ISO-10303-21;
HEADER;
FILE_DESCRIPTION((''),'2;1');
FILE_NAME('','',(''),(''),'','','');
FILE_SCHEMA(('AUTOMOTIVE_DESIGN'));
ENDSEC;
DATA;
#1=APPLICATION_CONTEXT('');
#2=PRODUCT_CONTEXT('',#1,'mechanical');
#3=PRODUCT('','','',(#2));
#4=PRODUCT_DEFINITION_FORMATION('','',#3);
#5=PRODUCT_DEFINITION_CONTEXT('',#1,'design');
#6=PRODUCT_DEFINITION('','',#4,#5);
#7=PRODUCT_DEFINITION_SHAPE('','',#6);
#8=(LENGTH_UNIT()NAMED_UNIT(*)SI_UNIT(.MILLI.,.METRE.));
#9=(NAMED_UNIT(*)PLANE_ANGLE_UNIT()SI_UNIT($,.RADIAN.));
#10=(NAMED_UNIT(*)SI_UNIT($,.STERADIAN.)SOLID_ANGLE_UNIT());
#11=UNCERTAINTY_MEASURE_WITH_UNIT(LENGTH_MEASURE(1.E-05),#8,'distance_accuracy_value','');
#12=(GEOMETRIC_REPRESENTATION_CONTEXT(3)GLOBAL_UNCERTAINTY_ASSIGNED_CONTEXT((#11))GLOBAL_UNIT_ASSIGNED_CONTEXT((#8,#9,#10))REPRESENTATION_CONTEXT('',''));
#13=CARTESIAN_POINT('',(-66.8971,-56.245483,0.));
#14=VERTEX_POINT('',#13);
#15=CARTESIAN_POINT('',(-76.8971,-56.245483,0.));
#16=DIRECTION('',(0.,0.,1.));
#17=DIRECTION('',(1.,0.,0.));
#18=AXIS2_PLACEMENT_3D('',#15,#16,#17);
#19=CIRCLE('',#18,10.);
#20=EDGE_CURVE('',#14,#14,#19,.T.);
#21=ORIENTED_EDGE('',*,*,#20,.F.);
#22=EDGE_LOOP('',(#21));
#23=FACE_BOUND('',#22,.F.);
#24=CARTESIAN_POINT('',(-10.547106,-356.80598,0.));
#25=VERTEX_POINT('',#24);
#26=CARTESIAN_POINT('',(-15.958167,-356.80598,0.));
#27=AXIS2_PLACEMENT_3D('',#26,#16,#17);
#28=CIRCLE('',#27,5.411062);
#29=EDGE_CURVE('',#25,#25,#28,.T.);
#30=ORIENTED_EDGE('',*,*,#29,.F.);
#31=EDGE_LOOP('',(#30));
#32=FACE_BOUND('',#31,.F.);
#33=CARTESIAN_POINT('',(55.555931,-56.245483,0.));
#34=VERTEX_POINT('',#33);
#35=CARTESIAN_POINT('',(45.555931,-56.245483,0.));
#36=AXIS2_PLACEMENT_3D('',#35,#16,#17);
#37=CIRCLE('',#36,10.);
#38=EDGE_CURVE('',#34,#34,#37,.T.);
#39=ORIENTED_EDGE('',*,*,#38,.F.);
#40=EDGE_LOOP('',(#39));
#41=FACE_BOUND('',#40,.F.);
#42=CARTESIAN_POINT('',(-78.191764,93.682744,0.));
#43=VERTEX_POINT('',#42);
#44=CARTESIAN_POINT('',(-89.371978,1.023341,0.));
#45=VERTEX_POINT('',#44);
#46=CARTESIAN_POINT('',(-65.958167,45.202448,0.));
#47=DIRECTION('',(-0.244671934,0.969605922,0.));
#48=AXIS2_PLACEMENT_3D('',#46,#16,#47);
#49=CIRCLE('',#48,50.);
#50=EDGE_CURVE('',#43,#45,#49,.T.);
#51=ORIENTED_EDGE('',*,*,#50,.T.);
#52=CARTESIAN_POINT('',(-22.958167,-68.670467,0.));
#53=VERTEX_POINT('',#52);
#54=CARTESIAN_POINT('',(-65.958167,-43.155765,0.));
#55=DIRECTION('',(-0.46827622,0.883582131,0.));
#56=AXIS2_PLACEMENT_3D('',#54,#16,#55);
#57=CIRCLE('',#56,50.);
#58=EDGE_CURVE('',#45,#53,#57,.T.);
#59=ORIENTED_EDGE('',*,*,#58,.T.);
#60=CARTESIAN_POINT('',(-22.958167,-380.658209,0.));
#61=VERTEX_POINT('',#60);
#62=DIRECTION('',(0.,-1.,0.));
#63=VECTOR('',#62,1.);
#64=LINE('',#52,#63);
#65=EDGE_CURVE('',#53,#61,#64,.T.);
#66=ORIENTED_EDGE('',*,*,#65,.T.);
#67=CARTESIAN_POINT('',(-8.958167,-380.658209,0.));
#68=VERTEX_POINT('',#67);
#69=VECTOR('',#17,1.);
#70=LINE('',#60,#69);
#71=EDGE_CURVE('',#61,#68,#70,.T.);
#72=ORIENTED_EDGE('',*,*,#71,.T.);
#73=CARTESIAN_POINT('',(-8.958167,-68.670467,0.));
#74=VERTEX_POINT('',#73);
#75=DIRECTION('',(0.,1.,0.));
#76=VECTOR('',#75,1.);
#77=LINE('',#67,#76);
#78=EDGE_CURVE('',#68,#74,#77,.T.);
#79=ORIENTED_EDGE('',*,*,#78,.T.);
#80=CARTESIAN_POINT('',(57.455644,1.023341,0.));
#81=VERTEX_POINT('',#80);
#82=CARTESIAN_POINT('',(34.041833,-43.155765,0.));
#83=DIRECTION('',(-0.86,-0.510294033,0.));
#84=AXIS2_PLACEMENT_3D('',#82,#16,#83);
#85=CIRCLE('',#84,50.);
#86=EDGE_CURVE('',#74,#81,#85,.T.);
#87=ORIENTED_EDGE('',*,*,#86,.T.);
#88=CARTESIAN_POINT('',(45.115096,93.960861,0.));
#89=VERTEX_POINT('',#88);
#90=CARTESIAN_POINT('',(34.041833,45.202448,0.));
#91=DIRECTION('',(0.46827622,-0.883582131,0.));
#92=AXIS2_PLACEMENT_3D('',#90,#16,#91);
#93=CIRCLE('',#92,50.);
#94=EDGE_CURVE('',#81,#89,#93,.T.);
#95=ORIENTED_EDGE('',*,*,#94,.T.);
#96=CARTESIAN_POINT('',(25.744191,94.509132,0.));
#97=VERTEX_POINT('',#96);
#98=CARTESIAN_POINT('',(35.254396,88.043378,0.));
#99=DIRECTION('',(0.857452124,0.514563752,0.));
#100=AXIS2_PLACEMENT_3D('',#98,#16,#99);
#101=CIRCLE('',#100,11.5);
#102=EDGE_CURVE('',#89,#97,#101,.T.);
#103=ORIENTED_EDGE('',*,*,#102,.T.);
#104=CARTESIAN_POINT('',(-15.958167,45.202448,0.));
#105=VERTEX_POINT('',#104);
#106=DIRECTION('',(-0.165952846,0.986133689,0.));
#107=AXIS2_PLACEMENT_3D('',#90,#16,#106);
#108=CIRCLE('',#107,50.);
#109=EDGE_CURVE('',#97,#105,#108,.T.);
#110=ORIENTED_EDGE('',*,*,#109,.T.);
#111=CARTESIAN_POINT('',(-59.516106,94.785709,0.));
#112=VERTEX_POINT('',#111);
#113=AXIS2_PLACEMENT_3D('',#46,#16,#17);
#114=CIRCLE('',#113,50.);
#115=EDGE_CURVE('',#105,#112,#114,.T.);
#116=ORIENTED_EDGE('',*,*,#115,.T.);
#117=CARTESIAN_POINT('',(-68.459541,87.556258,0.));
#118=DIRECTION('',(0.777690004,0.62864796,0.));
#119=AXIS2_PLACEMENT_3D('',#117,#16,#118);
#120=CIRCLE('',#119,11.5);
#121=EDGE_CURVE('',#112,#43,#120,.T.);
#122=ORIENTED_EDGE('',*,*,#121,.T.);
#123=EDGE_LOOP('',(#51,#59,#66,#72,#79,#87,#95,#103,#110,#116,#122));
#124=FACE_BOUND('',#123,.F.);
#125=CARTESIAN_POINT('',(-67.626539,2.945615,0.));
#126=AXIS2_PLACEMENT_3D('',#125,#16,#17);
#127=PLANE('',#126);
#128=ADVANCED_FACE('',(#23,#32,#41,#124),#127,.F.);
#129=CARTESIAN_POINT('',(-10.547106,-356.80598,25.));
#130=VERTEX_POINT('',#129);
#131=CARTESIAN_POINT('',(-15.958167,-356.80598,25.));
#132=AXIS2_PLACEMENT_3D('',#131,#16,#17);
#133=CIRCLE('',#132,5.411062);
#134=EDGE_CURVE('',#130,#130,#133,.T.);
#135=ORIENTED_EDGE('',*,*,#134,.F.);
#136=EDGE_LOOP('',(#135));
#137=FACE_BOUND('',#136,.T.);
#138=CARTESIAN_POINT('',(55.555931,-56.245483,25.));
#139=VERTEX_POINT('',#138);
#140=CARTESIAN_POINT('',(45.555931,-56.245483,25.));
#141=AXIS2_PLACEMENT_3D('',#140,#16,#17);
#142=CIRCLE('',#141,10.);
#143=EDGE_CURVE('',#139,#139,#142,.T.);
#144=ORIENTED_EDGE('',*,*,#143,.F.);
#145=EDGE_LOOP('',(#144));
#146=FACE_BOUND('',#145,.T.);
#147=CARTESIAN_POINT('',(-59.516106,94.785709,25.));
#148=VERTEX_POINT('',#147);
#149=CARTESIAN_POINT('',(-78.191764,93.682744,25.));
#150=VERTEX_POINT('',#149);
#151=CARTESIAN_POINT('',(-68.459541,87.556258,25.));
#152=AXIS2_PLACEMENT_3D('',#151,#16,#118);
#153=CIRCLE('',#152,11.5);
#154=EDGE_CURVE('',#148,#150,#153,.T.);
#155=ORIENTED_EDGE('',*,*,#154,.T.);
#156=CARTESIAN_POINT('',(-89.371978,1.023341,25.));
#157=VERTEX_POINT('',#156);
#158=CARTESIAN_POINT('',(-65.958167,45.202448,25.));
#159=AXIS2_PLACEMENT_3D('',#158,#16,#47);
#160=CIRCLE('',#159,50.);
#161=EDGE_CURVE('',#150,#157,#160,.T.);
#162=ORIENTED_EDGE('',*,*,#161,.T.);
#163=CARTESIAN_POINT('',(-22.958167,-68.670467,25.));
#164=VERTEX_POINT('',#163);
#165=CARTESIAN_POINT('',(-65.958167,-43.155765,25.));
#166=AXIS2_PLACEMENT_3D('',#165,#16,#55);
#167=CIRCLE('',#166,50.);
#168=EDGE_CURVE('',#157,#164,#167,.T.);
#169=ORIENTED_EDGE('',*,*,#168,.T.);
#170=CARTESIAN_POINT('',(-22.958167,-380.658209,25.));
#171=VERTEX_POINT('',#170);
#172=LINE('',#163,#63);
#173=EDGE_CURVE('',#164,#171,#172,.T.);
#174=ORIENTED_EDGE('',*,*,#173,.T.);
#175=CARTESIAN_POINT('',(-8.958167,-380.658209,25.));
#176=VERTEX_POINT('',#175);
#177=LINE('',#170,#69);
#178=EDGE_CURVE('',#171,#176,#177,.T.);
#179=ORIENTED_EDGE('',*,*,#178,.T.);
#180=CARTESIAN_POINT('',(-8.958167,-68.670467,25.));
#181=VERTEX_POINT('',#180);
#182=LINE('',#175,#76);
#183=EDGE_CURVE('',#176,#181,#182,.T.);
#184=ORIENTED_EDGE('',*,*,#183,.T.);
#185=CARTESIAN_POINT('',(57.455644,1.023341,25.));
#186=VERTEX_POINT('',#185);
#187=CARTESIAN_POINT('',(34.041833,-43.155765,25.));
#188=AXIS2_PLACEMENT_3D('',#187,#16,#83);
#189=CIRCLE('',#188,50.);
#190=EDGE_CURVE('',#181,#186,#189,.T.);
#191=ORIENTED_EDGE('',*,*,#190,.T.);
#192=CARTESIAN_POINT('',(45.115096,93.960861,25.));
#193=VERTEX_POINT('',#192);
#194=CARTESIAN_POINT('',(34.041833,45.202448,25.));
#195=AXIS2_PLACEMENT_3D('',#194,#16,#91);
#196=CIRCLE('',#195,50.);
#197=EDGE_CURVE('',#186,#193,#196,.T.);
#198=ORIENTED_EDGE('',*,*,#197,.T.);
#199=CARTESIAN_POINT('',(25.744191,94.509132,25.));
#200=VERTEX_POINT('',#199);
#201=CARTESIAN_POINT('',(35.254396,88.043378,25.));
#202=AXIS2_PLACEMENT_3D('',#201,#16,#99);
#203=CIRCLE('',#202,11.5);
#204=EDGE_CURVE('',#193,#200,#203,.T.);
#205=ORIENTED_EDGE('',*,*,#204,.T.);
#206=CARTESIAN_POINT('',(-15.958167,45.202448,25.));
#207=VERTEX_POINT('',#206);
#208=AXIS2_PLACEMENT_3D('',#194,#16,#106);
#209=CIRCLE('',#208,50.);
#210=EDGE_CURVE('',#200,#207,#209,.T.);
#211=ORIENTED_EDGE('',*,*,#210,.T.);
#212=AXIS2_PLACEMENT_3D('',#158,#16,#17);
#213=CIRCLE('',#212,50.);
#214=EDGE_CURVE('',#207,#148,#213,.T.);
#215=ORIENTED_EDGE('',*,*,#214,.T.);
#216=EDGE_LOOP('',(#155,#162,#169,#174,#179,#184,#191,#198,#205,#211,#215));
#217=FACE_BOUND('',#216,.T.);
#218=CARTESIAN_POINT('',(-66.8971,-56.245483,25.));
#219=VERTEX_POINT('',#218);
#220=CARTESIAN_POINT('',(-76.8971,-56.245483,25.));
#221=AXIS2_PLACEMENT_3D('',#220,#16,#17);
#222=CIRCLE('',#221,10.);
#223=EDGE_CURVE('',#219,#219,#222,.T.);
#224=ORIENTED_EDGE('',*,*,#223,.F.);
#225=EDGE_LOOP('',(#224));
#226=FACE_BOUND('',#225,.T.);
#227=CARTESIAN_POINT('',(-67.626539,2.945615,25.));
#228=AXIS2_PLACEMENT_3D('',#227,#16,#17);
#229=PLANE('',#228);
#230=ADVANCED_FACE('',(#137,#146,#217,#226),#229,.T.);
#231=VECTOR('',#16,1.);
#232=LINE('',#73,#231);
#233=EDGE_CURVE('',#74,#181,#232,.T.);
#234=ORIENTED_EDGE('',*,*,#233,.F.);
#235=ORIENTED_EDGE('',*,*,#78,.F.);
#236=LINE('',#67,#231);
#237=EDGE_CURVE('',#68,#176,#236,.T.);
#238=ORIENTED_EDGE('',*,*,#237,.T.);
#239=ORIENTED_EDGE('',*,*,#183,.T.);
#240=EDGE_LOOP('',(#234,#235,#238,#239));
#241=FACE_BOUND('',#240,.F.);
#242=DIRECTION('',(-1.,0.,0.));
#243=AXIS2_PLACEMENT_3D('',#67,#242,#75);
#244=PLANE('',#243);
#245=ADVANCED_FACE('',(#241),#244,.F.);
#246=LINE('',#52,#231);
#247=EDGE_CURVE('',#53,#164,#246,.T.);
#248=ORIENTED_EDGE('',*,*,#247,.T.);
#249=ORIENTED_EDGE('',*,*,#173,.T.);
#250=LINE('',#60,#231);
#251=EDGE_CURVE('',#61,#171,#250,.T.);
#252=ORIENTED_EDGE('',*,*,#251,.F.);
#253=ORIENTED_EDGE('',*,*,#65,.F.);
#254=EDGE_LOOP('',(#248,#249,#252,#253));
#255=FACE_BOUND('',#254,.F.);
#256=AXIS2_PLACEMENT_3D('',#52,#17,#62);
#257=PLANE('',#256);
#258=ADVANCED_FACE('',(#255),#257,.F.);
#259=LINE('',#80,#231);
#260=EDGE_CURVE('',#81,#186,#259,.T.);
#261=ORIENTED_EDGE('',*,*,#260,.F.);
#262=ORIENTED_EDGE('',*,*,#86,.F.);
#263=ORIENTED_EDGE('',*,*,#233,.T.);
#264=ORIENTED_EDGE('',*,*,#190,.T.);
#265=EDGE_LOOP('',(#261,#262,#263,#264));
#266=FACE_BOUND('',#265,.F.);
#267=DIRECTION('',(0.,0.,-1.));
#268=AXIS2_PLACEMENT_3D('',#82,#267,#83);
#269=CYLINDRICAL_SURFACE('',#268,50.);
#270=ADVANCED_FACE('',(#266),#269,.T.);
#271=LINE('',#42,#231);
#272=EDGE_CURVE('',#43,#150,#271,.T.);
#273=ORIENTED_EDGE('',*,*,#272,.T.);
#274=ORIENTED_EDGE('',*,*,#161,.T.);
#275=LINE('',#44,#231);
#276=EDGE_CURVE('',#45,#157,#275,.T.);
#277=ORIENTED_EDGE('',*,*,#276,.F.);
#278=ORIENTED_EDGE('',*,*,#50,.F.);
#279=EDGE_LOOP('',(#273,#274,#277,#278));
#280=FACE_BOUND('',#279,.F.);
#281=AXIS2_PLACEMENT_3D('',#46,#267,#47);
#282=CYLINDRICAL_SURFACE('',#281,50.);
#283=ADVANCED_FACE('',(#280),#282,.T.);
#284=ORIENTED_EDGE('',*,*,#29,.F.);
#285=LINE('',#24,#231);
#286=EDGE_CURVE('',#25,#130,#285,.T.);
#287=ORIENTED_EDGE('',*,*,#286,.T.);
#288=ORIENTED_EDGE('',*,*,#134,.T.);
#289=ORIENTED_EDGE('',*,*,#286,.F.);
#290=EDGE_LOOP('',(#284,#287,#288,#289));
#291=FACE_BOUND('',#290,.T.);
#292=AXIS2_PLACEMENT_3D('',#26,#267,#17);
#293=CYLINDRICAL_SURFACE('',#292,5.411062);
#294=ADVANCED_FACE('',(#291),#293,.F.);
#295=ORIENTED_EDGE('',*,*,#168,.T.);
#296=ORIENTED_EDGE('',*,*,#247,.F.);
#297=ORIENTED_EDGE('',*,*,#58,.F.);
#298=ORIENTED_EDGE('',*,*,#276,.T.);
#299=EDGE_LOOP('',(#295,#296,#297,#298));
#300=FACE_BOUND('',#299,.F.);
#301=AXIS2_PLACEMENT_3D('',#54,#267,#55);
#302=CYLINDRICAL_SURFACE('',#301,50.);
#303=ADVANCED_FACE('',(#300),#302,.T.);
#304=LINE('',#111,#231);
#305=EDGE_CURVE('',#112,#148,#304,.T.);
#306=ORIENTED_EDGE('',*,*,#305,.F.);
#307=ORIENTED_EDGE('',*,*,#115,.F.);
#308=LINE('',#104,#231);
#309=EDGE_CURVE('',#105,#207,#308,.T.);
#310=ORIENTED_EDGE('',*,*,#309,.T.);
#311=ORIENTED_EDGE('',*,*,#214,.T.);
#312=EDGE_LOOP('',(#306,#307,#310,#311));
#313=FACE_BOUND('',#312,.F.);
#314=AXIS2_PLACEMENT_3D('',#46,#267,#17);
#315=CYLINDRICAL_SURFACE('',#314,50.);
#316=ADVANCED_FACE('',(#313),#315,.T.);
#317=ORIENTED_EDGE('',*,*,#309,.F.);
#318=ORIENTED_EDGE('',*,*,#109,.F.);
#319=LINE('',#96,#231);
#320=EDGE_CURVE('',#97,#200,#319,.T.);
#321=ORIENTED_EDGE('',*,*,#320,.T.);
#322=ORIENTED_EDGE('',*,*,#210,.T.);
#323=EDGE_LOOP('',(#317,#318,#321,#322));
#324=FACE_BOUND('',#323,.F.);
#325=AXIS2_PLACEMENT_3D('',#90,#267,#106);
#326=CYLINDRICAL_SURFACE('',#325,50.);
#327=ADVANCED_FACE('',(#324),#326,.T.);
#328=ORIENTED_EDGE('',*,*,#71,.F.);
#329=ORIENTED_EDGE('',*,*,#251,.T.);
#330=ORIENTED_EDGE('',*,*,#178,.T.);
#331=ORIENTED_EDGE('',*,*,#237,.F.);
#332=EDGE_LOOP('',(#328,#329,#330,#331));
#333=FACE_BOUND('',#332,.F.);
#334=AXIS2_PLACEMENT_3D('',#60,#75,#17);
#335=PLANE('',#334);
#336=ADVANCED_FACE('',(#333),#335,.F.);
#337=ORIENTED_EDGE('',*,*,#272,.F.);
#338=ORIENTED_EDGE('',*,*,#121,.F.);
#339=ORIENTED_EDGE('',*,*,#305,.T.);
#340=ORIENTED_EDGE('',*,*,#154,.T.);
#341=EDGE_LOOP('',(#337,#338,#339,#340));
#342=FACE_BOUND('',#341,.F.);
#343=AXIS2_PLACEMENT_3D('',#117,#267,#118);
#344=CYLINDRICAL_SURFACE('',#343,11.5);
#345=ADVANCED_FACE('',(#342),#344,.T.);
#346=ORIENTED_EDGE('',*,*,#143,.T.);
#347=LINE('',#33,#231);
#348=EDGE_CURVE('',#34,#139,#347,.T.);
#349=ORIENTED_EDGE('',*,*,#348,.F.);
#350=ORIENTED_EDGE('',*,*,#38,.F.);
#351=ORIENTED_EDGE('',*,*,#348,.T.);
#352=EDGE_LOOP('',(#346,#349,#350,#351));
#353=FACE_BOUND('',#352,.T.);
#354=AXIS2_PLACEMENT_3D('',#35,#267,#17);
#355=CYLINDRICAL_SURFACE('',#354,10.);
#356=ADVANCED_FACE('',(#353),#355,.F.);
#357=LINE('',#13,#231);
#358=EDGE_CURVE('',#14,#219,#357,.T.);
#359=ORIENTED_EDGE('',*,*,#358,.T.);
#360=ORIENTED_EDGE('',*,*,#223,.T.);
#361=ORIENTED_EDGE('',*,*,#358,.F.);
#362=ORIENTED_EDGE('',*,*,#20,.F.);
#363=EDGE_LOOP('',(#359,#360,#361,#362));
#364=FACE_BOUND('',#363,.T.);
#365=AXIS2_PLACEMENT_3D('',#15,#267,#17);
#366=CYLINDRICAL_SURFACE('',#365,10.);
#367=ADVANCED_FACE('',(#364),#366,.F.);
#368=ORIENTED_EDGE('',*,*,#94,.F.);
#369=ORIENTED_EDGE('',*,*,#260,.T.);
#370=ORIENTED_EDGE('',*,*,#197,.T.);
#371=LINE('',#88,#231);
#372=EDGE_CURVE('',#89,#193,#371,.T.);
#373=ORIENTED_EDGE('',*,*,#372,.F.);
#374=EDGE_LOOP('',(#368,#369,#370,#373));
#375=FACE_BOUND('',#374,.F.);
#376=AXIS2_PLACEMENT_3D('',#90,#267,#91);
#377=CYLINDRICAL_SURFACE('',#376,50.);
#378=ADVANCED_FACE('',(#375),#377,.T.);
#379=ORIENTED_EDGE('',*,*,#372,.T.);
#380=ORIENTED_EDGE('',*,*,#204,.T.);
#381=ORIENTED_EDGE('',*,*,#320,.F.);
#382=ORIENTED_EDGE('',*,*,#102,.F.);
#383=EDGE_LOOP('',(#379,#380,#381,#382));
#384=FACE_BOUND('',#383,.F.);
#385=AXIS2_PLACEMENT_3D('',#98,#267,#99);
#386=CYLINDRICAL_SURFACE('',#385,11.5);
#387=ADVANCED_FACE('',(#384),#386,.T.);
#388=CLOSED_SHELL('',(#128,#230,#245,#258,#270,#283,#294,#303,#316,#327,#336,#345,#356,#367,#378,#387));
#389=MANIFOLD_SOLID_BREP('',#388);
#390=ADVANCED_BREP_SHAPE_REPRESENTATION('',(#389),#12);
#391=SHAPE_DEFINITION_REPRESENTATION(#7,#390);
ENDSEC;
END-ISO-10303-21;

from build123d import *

# Parameters (mm, degrees)
F0_R     = 10
F0_R_2   = 5.4110615761
F1_DEPTH = 25
F2_DEPTH = 25


with BuildPart() as f1:
    # F0 (on Top) → F1 (new body)
    with BuildSketch(Plane.XY):
        with BuildLine():
            Line((-56.9581672003, 45.2024476719), (-15.9581672003, 45.2024476719))
            ThreePointArc((-15.9581672003, 45.2024476719), (-28.3942012079, 78.2016667372), (-59.5161055572, 94.7857093817))
            ThreePointArc((-59.5161055572, 94.7857093817), (-69.1375376467, 99.0362543602), (-78.191763881, 93.6827437957))
            ThreePointArc((-78.191763881, 93.6827437957), (-115.5981273519, 51.1919681993), (-89.3719782194, 1.0233411444))
            ThreePointArc((-89.3719782194, 1.0233411444), (-102.1550099365, -77.6490774294), (-22.9581672003, -68.6704670274))
            ThreePointArc((-22.9581672003, -68.6704670274), (-17.7399133953, -56.3845219384), (-15.9581672003, -43.1557653831))
            Line((-15.9581672003, -43.1557653831), (-56.9581672003, -43.1557653831))
            ThreePointArc((-56.9581672003, -43.1557653831), (-63.322128231, -40.5197264137), (-65.9581672003, -34.1557653831))
            Line((-65.9581672003, -34.1557653831), (-65.9581672003, 36.2024476719))
            ThreePointArc((-65.9581672003, 36.2024476719), (-63.322128231, 42.5664087025), (-56.9581672003, 45.2024476719))
        make_face()
        with Locations((-76.8970996141, -56.245483458)):
            Circle(F0_R, mode=Mode.SUBTRACT)
        with BuildLine():
            Line((25.0418327997, 45.2024476719), (-15.9581672003, 45.2024476719))
            Line((-15.9581672003, 45.2024476719), (-56.9581672003, 45.2024476719))
            ThreePointArc((-56.9581672003, 45.2024476719), (-63.322128231, 42.5664087025), (-65.9581672003, 36.2024476719))
            Line((-65.9581672003, 36.2024476719), (-65.9581672003, -34.1557653831))
            ThreePointArc((-65.9581672003, -34.1557653831), (-63.322128231, -40.5197264137), (-56.9581672003, -43.1557653831))
            Line((-56.9581672003, -43.1557653831), (-15.9581672003, -43.1557653831))
            Line((-15.9581672003, -43.1557653831), (25.0418327997, -43.1557653831))
            ThreePointArc((25.0418327997, -43.1557653831), (31.4057938304, -40.5197264137), (34.0418327997, -34.1557653831))
            Line((34.0418327997, -34.1557653831), (34.0418327997, 36.2024476719))
            ThreePointArc((34.0418327997, 36.2024476719), (31.4057938304, 42.5664087025), (25.0418327997, 45.2024476719))
        make_face()
        with BuildLine():
            ThreePointArc((25.7441905011, 94.5091321303), (-4.1346135706, 77.4911290097), (-15.9581672003, 45.2024476719))
            Line((-15.9581672003, 45.2024476719), (25.0418327997, 45.2024476719))
            ThreePointArc((25.0418327997, 45.2024476719), (31.4057938304, 42.5664087025), (34.0418327997, 36.2024476719))
            Line((34.0418327997, 36.2024476719), (34.0418327997, -34.1557653831))
            ThreePointArc((34.0418327997, -34.1557653831), (31.4057938304, -40.5197264137), (25.0418327997, -43.1557653831))
            Line((25.0418327997, -43.1557653831), (-15.9581672003, -43.1557653831))
            ThreePointArc((-15.9581672003, -43.1557653831), (-14.1764210053, -56.3845219384), (-8.9581672003, -68.6704670274))
            ThreePointArc((-8.9581672003, -68.6704670274), (70.2386755359, -77.6490774294), (57.4556438187, 1.0233411444))
            ThreePointArc((57.4556438187, 1.0233411444), (83.6067922706, 51.7838451407), (45.1150959261, 93.9608607278))
            ThreePointArc((45.1150959261, 93.9608607278), (35.5797605926, 99.5387739728), (25.7441905011, 94.5091321303))
        make_face()
        with Locations((45.5559305847, -56.245483458)):
            Circle(F0_R, mode=Mode.SUBTRACT)
        with BuildLine():
            ThreePointArc((-15.9581672003, -43.1557653831), (-17.7399133953, -56.3845219384), (-22.9581672003, -68.6704670274))
            Line((-22.9581672003, -68.6704670274), (-22.9581672003, -234.5025837421))
            Line((-22.9581672003, -234.5025837421), (-22.9581672003, -380.6582093239))
            Line((-22.9581672003, -380.6582093239), (-8.9581672003, -380.6582093239))
            Line((-8.9581672003, -380.6582093239), (-8.9581672003, -234.5025837421))
            Line((-8.9581672003, -234.5025837421), (-8.9581672003, -68.6704670274))
            ThreePointArc((-8.9581672003, -68.6704670274), (-14.1764210053, -56.3845219384), (-15.9581672003, -43.1557653831))
        make_face()
        with Locations((-15.9581672003, -356.8059802055)):
            Circle(F0_R_2, mode=Mode.SUBTRACT)
    extrude(amount=F1_DEPTH)

    # F0 (on Top) → F2 (join)
    with BuildSketch(Plane.XY):
        with BuildLine():
            Line((-56.9581672003, 45.2024476719), (-15.9581672003, 45.2024476719))
            ThreePointArc((-15.9581672003, 45.2024476719), (-28.3942012079, 78.2016667372), (-59.5161055572, 94.7857093817))
            ThreePointArc((-59.5161055572, 94.7857093817), (-69.1375376467, 99.0362543602), (-78.191763881, 93.6827437957))
            ThreePointArc((-78.191763881, 93.6827437957), (-115.5981273519, 51.1919681993), (-89.3719782194, 1.0233411444))
            ThreePointArc((-89.3719782194, 1.0233411444), (-102.1550099365, -77.6490774294), (-22.9581672003, -68.6704670274))
            ThreePointArc((-22.9581672003, -68.6704670274), (-17.7399133953, -56.3845219384), (-15.9581672003, -43.1557653831))
            Line((-15.9581672003, -43.1557653831), (-56.9581672003, -43.1557653831))
            ThreePointArc((-56.9581672003, -43.1557653831), (-63.322128231, -40.5197264137), (-65.9581672003, -34.1557653831))
            Line((-65.9581672003, -34.1557653831), (-65.9581672003, 36.2024476719))
            ThreePointArc((-65.9581672003, 36.2024476719), (-63.322128231, 42.5664087025), (-56.9581672003, 45.2024476719))
        make_face()
        with Locations((-76.8970996141, -56.245483458)):
            Circle(F0_R, mode=Mode.SUBTRACT)
        with BuildLine():
            Line((25.0418327997, 45.2024476719), (-15.9581672003, 45.2024476719))
            Line((-15.9581672003, 45.2024476719), (-56.9581672003, 45.2024476719))
            ThreePointArc((-56.9581672003, 45.2024476719), (-63.322128231, 42.5664087025), (-65.9581672003, 36.2024476719))
            Line((-65.9581672003, 36.2024476719), (-65.9581672003, -34.1557653831))
            ThreePointArc((-65.9581672003, -34.1557653831), (-63.322128231, -40.5197264137), (-56.9581672003, -43.1557653831))
            Line((-56.9581672003, -43.1557653831), (-15.9581672003, -43.1557653831))
            Line((-15.9581672003, -43.1557653831), (25.0418327997, -43.1557653831))
            ThreePointArc((25.0418327997, -43.1557653831), (31.4057938304, -40.5197264137), (34.0418327997, -34.1557653831))
            Line((34.0418327997, -34.1557653831), (34.0418327997, 36.2024476719))
            ThreePointArc((34.0418327997, 36.2024476719), (31.4057938304, 42.5664087025), (25.0418327997, 45.2024476719))
        make_face()
        with BuildLine():
            ThreePointArc((25.7441905011, 94.5091321303), (-4.1346135706, 77.4911290097), (-15.9581672003, 45.2024476719))
            Line((-15.9581672003, 45.2024476719), (25.0418327997, 45.2024476719))
            ThreePointArc((25.0418327997, 45.2024476719), (31.4057938304, 42.5664087025), (34.0418327997, 36.2024476719))
            Line((34.0418327997, 36.2024476719), (34.0418327997, -34.1557653831))
            ThreePointArc((34.0418327997, -34.1557653831), (31.4057938304, -40.5197264137), (25.0418327997, -43.1557653831))
            Line((25.0418327997, -43.1557653831), (-15.9581672003, -43.1557653831))
            ThreePointArc((-15.9581672003, -43.1557653831), (-14.1764210053, -56.3845219384), (-8.9581672003, -68.6704670274))
            ThreePointArc((-8.9581672003, -68.6704670274), (70.2386755359, -77.6490774294), (57.4556438187, 1.0233411444))
            ThreePointArc((57.4556438187, 1.0233411444), (83.6067922706, 51.7838451407), (45.1150959261, 93.9608607278))
            ThreePointArc((45.1150959261, 93.9608607278), (35.5797605926, 99.5387739728), (25.7441905011, 94.5091321303))
        make_face()
        with Locations((45.5559305847, -56.245483458)):
            Circle(F0_R, mode=Mode.SUBTRACT)
        with BuildLine():
            ThreePointArc((-15.9581672003, -43.1557653831), (-17.7399133953, -56.3845219384), (-22.9581672003, -68.6704670274))
            Line((-22.9581672003, -68.6704670274), (-22.9581672003, -234.5025837421))
            Line((-22.9581672003, -234.5025837421), (-22.9581672003, -380.6582093239))
            Line((-22.9581672003, -380.6582093239), (-8.9581672003, -380.6582093239))
            Line((-8.9581672003, -380.6582093239), (-8.9581672003, -234.5025837421))
            Line((-8.9581672003, -234.5025837421), (-8.9581672003, -68.6704670274))
            ThreePointArc((-8.9581672003, -68.6704670274), (-14.1764210053, -56.3845219384), (-15.9581672003, -43.1557653831))
        make_face()
        with Locations((-15.9581672003, -356.8059802055)):
            Circle(F0_R_2, mode=Mode.SUBTRACT)
    extrude(amount=F2_DEPTH)


solid = f1.part
